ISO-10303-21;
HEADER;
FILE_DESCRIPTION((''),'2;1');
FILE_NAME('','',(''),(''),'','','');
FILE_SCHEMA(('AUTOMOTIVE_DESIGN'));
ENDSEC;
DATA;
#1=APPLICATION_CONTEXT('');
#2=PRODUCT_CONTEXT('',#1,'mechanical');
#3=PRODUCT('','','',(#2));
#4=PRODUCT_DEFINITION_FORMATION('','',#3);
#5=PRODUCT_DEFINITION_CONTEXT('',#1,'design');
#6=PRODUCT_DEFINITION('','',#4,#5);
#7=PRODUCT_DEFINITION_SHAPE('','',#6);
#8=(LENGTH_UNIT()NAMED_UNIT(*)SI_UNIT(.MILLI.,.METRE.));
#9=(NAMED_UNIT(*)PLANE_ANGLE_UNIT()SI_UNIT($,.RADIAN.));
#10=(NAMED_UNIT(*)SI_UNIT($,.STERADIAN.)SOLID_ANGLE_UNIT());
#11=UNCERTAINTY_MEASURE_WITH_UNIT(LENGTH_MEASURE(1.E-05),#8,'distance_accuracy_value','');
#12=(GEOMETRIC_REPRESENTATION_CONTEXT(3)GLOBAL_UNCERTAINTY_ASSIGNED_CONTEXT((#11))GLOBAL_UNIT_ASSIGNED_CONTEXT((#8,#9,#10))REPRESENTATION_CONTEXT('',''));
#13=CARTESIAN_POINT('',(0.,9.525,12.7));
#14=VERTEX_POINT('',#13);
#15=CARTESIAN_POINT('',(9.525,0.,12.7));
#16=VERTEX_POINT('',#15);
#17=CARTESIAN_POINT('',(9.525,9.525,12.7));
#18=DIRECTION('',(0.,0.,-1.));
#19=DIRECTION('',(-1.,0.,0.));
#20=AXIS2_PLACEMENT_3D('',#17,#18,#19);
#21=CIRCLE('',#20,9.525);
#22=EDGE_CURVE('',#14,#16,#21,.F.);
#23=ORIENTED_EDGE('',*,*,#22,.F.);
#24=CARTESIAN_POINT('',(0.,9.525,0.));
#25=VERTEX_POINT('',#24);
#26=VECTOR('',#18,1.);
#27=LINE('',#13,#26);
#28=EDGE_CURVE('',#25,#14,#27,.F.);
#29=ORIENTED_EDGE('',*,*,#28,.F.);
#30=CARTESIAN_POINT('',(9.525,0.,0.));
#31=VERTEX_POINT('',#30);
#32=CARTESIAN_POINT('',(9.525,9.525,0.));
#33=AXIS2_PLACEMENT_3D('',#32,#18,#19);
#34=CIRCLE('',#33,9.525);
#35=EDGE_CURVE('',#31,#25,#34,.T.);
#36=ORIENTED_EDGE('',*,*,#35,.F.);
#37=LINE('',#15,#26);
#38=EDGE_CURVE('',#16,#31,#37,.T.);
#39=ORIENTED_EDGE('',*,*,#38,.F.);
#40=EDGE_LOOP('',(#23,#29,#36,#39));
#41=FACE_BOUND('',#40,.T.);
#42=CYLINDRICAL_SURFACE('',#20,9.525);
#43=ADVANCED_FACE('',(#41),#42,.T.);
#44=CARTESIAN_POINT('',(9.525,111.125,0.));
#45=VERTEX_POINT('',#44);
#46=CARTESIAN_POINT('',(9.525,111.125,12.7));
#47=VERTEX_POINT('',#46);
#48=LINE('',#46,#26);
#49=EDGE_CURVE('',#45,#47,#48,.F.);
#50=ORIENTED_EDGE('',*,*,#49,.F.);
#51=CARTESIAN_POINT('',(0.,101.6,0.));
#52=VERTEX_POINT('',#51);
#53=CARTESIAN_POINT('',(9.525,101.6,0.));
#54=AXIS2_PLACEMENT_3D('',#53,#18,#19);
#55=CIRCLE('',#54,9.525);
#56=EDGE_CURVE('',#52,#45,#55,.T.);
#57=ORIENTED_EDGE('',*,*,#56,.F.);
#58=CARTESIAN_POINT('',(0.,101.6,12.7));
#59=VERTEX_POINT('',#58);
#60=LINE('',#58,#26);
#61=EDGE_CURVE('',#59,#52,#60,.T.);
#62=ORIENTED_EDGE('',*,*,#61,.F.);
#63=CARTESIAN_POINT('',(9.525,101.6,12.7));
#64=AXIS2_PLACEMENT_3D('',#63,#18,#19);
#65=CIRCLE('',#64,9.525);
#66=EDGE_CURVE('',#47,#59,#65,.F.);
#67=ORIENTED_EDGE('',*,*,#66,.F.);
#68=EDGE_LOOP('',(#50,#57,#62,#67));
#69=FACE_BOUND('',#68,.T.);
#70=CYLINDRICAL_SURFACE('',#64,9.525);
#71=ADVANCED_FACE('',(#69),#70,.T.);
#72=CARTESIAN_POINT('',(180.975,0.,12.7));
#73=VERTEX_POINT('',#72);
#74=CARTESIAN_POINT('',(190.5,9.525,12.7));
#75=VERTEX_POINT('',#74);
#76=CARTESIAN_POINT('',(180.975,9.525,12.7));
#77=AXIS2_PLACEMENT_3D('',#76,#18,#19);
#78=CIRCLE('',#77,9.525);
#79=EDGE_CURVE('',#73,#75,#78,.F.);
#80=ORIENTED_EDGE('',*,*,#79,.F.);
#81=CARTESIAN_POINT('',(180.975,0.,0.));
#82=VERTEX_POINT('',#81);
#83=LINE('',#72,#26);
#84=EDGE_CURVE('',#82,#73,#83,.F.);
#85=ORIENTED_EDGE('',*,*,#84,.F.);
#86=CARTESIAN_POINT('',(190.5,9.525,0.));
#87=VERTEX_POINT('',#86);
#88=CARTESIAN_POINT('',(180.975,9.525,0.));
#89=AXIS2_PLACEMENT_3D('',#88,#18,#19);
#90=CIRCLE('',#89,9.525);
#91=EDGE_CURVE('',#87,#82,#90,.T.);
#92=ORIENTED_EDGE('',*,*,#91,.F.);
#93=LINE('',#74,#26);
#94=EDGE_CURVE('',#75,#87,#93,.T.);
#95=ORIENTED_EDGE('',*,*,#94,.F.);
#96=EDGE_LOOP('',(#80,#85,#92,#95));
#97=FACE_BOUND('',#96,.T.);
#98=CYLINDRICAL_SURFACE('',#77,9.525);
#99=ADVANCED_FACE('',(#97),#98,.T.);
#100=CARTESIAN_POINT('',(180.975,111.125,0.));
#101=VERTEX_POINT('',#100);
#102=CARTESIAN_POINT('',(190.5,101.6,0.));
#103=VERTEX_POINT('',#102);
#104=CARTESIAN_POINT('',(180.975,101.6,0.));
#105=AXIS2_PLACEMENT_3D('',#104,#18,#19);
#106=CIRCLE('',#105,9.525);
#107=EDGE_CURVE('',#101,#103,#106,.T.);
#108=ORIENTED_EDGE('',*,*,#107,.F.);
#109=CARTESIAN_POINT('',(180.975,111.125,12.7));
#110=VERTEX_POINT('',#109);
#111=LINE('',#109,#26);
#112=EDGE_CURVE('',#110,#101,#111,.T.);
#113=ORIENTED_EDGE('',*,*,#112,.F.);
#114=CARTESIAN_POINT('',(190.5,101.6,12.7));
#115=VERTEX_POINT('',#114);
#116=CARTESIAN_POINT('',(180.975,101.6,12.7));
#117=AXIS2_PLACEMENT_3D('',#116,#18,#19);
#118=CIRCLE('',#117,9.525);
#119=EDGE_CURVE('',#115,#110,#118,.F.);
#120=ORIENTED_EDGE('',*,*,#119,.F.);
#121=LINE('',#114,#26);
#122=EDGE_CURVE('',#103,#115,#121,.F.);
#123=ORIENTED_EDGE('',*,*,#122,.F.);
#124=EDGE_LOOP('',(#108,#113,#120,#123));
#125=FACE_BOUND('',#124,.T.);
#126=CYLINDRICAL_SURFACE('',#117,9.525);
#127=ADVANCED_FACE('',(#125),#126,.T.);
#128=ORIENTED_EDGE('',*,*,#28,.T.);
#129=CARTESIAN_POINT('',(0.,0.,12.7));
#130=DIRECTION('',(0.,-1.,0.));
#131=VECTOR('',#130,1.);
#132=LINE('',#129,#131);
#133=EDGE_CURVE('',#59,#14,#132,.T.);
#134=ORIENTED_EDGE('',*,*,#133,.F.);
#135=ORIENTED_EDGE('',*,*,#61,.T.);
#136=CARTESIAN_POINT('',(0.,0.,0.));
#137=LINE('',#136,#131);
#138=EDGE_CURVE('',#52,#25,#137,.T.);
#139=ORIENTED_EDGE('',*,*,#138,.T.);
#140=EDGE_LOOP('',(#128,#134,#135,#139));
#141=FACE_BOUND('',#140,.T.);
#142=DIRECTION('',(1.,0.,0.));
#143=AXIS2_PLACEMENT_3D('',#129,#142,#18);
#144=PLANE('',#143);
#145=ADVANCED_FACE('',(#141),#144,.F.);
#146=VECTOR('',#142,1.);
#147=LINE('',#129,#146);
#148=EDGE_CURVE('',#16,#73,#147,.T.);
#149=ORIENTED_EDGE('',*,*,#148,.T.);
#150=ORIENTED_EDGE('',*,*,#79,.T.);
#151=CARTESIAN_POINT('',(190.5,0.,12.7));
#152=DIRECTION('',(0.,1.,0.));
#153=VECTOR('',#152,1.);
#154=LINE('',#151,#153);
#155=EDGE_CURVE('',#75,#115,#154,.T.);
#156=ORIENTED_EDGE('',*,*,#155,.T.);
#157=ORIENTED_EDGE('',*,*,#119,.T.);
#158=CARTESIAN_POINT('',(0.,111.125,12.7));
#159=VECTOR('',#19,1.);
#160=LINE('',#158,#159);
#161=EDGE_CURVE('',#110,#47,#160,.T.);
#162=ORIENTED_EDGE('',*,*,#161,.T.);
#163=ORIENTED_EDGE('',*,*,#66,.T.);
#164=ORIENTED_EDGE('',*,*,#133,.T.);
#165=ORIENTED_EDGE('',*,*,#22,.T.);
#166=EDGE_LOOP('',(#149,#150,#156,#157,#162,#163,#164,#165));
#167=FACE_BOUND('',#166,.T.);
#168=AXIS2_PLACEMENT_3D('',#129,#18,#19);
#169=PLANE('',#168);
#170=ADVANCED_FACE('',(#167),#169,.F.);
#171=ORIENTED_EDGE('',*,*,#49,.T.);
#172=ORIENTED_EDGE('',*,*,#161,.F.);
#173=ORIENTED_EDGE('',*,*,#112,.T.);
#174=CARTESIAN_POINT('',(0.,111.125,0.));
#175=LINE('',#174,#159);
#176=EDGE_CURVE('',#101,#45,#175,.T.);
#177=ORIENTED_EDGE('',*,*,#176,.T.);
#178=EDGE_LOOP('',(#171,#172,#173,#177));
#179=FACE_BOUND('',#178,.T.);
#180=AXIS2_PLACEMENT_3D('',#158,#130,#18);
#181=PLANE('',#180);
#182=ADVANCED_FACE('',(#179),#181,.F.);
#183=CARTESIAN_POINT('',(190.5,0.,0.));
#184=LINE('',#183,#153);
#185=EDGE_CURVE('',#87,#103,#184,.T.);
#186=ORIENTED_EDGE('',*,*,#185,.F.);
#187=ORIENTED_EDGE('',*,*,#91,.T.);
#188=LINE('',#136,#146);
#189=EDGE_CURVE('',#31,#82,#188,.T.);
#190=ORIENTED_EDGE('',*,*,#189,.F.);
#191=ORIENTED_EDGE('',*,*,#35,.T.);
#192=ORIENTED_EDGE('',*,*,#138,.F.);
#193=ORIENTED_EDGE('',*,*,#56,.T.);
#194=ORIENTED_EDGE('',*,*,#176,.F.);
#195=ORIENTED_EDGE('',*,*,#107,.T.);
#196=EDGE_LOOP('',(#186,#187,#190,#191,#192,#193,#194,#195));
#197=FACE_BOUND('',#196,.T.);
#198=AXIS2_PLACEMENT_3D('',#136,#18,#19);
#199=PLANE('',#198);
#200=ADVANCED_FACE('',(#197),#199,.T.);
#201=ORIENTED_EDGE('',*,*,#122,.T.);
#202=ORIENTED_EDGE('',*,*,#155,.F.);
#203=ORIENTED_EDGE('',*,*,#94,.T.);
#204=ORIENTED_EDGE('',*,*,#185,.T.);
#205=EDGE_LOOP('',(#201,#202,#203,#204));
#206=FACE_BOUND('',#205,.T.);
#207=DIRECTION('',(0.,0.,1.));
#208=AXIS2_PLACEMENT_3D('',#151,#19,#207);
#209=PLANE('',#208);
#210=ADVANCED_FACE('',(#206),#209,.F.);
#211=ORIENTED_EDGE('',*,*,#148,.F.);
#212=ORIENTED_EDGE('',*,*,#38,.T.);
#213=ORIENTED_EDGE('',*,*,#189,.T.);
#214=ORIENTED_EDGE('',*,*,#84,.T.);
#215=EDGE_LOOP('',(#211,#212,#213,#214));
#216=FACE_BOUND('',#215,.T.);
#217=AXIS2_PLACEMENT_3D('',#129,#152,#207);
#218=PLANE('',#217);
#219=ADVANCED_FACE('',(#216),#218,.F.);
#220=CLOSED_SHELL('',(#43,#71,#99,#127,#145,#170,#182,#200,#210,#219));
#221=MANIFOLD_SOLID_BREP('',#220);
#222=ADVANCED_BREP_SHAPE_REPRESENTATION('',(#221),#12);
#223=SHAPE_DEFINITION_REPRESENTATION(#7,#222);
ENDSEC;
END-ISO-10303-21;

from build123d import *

# Parameters (mm, degrees)
SKETCH2_W           = 190.5
SKETCH2_H           = 111.125
BOSS_EXTRUDE1_DEPTH = 12.7
FILLET1_R           = 9.525


with BuildPart() as part:
    # Sketch2 → Boss-Extrude1 (new body)
    with BuildSketch(Plane.XY):
        with Locations((95.25, 55.5625)):
            Rectangle(SKETCH2_W, SKETCH2_H)
    extrude(amount=BOSS_EXTRUDE1_DEPTH)

    # Fillet1
    fillet1_edges = [part.edges().sort_by_distance(p)[0] for p in [
        (0, 111.125, 6.35),
        (190.5, 111.125, 6.35),
        (190.5, 0, 6.35),
        (0, 0, 6.35),
    ]]
    fillet(fillet1_edges, radius=FILLET1_R)


solid = part.part
